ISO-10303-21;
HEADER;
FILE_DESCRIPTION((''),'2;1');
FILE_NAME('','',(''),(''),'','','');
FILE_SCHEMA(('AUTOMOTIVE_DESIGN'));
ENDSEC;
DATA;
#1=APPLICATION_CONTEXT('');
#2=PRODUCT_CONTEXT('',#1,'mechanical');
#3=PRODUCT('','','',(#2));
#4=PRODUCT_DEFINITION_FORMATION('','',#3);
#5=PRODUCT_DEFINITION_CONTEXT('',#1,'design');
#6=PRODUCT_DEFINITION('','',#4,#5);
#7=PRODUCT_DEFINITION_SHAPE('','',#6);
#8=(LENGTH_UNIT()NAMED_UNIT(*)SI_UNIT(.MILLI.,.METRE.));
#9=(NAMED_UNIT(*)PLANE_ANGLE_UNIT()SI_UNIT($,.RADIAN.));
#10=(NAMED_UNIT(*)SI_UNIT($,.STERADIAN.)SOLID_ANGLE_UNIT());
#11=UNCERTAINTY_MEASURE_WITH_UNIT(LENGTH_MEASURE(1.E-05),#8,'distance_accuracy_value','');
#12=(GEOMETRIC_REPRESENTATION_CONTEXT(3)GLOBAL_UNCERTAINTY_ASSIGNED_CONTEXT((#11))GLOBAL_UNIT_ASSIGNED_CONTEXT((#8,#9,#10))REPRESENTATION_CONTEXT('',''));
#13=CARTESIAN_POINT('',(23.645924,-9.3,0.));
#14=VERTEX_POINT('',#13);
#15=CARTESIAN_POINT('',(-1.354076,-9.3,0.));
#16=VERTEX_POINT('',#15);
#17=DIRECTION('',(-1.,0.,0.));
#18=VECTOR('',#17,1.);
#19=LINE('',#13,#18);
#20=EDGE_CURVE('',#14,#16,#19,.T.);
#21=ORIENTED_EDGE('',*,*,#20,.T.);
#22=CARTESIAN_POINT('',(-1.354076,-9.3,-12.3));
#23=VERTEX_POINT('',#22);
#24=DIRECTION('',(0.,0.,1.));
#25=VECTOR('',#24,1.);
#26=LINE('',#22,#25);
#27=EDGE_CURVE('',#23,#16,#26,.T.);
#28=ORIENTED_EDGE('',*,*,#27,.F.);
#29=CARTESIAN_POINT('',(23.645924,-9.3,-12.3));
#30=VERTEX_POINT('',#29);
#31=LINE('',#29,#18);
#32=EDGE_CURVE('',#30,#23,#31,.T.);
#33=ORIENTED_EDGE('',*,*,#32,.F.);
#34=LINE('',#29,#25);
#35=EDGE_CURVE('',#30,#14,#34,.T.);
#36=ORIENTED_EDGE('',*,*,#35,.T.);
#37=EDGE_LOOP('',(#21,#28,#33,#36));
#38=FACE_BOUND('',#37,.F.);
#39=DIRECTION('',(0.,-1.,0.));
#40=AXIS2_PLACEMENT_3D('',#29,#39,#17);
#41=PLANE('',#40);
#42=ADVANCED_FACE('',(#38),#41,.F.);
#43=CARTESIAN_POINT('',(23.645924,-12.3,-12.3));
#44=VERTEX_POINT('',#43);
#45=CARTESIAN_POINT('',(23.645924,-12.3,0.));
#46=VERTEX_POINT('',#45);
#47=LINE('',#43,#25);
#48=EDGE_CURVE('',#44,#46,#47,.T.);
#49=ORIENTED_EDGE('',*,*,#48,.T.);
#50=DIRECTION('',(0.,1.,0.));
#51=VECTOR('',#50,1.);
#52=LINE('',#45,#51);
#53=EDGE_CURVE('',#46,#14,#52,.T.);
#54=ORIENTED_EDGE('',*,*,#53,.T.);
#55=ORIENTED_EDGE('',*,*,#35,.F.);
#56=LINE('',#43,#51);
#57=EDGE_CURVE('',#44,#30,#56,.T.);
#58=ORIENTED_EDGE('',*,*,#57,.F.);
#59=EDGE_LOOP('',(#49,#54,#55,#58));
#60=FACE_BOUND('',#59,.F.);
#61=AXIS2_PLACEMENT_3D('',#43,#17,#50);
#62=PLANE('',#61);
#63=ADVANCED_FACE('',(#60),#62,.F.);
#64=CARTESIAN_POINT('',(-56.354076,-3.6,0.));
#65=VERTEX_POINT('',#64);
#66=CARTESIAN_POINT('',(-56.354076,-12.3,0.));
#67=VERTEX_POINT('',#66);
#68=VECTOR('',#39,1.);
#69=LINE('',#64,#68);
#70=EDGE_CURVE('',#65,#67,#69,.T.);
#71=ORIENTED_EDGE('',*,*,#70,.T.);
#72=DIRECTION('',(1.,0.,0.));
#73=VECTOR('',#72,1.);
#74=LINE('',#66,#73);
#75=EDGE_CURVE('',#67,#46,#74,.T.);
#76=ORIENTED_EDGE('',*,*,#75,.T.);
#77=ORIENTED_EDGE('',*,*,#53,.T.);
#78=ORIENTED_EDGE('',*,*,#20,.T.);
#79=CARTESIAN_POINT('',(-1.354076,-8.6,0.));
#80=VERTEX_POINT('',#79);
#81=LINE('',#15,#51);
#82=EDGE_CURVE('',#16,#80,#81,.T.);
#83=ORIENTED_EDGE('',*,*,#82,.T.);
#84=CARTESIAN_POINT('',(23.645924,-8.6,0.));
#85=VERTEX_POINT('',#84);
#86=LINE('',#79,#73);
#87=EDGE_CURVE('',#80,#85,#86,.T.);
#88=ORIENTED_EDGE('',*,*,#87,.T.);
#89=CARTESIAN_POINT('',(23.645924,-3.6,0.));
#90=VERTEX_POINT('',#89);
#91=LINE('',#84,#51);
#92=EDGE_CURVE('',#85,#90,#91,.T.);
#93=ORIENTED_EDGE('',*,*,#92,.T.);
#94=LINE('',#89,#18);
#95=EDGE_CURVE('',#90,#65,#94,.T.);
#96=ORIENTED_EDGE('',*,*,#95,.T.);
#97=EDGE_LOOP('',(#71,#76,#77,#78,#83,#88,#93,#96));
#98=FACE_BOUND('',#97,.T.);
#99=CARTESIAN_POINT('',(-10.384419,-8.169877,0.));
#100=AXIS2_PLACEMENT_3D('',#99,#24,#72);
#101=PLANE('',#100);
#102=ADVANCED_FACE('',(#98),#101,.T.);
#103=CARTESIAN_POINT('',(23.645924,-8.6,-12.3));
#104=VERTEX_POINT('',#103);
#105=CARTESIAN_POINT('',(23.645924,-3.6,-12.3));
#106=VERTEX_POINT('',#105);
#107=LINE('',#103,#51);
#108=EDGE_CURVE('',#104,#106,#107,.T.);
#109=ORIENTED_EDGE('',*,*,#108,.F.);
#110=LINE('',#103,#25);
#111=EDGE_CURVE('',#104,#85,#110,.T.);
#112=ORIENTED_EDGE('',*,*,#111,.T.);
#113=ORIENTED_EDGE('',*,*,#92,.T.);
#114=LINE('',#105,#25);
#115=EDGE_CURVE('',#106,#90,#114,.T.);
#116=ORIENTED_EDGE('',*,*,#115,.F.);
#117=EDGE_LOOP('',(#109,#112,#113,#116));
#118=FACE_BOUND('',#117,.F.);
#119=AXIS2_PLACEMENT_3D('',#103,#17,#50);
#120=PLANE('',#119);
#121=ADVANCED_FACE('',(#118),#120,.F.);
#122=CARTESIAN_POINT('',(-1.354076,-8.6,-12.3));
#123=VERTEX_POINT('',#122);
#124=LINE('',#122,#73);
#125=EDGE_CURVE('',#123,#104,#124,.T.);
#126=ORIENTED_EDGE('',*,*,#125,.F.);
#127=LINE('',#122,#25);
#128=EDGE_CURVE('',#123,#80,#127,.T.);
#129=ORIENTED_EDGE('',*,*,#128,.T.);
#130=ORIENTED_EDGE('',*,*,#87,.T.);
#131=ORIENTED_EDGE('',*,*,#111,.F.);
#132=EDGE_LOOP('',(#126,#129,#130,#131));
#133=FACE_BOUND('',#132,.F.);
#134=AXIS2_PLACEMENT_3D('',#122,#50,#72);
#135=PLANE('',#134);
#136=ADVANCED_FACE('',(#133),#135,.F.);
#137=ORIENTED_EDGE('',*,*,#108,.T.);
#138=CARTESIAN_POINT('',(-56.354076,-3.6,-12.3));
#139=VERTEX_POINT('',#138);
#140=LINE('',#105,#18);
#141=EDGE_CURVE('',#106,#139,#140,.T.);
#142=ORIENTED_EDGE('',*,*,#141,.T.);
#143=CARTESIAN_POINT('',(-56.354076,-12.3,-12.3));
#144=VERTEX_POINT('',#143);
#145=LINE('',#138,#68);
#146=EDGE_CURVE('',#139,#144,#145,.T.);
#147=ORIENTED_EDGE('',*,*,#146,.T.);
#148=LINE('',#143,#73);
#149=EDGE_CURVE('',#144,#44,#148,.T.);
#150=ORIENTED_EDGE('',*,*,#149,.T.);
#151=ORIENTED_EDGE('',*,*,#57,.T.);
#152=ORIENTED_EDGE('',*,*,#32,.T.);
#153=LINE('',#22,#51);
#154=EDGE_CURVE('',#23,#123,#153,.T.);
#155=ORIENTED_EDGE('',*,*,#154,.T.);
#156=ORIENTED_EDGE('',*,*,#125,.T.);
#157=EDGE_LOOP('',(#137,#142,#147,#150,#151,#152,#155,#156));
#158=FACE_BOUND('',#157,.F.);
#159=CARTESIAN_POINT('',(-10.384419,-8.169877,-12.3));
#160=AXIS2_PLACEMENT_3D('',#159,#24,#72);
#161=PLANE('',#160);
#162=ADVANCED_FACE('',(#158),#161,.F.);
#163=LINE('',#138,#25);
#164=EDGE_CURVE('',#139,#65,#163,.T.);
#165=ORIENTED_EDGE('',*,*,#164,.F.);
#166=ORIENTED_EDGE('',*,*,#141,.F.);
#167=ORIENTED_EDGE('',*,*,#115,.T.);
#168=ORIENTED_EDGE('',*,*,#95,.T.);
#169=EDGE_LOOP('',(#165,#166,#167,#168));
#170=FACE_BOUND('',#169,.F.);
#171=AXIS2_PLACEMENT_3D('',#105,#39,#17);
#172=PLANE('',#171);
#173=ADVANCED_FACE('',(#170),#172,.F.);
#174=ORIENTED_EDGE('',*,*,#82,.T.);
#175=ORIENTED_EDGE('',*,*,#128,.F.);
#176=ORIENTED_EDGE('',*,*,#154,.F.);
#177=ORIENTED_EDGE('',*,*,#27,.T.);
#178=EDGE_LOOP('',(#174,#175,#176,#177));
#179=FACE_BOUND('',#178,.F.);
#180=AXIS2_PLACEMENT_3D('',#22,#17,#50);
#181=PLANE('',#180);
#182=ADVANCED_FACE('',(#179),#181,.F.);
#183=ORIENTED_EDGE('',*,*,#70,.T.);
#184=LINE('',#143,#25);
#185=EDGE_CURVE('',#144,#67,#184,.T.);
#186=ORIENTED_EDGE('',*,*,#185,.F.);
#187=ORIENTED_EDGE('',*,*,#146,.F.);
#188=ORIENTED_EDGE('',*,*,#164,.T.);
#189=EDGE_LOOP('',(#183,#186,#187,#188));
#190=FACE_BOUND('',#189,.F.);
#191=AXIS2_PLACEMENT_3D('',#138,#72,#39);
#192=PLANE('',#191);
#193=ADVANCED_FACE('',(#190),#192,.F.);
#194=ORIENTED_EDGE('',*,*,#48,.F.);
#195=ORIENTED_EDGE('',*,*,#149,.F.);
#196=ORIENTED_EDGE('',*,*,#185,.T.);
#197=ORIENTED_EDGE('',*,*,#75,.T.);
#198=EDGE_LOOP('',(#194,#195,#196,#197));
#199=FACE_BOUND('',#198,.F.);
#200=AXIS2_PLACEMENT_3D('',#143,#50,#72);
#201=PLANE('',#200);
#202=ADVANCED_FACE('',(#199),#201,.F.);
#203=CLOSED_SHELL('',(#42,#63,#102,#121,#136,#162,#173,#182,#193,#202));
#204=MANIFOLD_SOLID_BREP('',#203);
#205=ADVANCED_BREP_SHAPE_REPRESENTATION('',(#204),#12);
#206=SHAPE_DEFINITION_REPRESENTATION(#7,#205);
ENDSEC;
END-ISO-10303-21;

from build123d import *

# Parameters (mm, degrees)
F1_DEPTH = 12.3
F2_ANGLE = 90


with BuildPart() as f1:
    # F0 (on Front) → F1 (new body)
    with BuildSketch(Plane.XZ):
        Polygon((-56.354076, 8.7), (-56.354076, 0), (23.645924, 0), (23.645924, 3), (23.045924, 3), (13.685613, 3), (13.085613, 3), (4.643187, 3), (4.043187, 3), (-1.354076, 3), (-1.354076, 3.7), (4.043187, 3.7), (4.643187, 3.7), (13.085613, 3.7), (13.685613, 3.7), (23.045924, 3.7), (23.645924, 3.7), (23.645924, 8.7), (-6.354076, 8.7), align=None)
    extrude(amount=F1_DEPTH)


with BuildPart() as f1_1:
    # F2: moved
    add(f1.part.rotate(Axis((-16.354076, -12.3, 0), (-1, 0, 0)), F2_ANGLE))


solid = f1_1.part
